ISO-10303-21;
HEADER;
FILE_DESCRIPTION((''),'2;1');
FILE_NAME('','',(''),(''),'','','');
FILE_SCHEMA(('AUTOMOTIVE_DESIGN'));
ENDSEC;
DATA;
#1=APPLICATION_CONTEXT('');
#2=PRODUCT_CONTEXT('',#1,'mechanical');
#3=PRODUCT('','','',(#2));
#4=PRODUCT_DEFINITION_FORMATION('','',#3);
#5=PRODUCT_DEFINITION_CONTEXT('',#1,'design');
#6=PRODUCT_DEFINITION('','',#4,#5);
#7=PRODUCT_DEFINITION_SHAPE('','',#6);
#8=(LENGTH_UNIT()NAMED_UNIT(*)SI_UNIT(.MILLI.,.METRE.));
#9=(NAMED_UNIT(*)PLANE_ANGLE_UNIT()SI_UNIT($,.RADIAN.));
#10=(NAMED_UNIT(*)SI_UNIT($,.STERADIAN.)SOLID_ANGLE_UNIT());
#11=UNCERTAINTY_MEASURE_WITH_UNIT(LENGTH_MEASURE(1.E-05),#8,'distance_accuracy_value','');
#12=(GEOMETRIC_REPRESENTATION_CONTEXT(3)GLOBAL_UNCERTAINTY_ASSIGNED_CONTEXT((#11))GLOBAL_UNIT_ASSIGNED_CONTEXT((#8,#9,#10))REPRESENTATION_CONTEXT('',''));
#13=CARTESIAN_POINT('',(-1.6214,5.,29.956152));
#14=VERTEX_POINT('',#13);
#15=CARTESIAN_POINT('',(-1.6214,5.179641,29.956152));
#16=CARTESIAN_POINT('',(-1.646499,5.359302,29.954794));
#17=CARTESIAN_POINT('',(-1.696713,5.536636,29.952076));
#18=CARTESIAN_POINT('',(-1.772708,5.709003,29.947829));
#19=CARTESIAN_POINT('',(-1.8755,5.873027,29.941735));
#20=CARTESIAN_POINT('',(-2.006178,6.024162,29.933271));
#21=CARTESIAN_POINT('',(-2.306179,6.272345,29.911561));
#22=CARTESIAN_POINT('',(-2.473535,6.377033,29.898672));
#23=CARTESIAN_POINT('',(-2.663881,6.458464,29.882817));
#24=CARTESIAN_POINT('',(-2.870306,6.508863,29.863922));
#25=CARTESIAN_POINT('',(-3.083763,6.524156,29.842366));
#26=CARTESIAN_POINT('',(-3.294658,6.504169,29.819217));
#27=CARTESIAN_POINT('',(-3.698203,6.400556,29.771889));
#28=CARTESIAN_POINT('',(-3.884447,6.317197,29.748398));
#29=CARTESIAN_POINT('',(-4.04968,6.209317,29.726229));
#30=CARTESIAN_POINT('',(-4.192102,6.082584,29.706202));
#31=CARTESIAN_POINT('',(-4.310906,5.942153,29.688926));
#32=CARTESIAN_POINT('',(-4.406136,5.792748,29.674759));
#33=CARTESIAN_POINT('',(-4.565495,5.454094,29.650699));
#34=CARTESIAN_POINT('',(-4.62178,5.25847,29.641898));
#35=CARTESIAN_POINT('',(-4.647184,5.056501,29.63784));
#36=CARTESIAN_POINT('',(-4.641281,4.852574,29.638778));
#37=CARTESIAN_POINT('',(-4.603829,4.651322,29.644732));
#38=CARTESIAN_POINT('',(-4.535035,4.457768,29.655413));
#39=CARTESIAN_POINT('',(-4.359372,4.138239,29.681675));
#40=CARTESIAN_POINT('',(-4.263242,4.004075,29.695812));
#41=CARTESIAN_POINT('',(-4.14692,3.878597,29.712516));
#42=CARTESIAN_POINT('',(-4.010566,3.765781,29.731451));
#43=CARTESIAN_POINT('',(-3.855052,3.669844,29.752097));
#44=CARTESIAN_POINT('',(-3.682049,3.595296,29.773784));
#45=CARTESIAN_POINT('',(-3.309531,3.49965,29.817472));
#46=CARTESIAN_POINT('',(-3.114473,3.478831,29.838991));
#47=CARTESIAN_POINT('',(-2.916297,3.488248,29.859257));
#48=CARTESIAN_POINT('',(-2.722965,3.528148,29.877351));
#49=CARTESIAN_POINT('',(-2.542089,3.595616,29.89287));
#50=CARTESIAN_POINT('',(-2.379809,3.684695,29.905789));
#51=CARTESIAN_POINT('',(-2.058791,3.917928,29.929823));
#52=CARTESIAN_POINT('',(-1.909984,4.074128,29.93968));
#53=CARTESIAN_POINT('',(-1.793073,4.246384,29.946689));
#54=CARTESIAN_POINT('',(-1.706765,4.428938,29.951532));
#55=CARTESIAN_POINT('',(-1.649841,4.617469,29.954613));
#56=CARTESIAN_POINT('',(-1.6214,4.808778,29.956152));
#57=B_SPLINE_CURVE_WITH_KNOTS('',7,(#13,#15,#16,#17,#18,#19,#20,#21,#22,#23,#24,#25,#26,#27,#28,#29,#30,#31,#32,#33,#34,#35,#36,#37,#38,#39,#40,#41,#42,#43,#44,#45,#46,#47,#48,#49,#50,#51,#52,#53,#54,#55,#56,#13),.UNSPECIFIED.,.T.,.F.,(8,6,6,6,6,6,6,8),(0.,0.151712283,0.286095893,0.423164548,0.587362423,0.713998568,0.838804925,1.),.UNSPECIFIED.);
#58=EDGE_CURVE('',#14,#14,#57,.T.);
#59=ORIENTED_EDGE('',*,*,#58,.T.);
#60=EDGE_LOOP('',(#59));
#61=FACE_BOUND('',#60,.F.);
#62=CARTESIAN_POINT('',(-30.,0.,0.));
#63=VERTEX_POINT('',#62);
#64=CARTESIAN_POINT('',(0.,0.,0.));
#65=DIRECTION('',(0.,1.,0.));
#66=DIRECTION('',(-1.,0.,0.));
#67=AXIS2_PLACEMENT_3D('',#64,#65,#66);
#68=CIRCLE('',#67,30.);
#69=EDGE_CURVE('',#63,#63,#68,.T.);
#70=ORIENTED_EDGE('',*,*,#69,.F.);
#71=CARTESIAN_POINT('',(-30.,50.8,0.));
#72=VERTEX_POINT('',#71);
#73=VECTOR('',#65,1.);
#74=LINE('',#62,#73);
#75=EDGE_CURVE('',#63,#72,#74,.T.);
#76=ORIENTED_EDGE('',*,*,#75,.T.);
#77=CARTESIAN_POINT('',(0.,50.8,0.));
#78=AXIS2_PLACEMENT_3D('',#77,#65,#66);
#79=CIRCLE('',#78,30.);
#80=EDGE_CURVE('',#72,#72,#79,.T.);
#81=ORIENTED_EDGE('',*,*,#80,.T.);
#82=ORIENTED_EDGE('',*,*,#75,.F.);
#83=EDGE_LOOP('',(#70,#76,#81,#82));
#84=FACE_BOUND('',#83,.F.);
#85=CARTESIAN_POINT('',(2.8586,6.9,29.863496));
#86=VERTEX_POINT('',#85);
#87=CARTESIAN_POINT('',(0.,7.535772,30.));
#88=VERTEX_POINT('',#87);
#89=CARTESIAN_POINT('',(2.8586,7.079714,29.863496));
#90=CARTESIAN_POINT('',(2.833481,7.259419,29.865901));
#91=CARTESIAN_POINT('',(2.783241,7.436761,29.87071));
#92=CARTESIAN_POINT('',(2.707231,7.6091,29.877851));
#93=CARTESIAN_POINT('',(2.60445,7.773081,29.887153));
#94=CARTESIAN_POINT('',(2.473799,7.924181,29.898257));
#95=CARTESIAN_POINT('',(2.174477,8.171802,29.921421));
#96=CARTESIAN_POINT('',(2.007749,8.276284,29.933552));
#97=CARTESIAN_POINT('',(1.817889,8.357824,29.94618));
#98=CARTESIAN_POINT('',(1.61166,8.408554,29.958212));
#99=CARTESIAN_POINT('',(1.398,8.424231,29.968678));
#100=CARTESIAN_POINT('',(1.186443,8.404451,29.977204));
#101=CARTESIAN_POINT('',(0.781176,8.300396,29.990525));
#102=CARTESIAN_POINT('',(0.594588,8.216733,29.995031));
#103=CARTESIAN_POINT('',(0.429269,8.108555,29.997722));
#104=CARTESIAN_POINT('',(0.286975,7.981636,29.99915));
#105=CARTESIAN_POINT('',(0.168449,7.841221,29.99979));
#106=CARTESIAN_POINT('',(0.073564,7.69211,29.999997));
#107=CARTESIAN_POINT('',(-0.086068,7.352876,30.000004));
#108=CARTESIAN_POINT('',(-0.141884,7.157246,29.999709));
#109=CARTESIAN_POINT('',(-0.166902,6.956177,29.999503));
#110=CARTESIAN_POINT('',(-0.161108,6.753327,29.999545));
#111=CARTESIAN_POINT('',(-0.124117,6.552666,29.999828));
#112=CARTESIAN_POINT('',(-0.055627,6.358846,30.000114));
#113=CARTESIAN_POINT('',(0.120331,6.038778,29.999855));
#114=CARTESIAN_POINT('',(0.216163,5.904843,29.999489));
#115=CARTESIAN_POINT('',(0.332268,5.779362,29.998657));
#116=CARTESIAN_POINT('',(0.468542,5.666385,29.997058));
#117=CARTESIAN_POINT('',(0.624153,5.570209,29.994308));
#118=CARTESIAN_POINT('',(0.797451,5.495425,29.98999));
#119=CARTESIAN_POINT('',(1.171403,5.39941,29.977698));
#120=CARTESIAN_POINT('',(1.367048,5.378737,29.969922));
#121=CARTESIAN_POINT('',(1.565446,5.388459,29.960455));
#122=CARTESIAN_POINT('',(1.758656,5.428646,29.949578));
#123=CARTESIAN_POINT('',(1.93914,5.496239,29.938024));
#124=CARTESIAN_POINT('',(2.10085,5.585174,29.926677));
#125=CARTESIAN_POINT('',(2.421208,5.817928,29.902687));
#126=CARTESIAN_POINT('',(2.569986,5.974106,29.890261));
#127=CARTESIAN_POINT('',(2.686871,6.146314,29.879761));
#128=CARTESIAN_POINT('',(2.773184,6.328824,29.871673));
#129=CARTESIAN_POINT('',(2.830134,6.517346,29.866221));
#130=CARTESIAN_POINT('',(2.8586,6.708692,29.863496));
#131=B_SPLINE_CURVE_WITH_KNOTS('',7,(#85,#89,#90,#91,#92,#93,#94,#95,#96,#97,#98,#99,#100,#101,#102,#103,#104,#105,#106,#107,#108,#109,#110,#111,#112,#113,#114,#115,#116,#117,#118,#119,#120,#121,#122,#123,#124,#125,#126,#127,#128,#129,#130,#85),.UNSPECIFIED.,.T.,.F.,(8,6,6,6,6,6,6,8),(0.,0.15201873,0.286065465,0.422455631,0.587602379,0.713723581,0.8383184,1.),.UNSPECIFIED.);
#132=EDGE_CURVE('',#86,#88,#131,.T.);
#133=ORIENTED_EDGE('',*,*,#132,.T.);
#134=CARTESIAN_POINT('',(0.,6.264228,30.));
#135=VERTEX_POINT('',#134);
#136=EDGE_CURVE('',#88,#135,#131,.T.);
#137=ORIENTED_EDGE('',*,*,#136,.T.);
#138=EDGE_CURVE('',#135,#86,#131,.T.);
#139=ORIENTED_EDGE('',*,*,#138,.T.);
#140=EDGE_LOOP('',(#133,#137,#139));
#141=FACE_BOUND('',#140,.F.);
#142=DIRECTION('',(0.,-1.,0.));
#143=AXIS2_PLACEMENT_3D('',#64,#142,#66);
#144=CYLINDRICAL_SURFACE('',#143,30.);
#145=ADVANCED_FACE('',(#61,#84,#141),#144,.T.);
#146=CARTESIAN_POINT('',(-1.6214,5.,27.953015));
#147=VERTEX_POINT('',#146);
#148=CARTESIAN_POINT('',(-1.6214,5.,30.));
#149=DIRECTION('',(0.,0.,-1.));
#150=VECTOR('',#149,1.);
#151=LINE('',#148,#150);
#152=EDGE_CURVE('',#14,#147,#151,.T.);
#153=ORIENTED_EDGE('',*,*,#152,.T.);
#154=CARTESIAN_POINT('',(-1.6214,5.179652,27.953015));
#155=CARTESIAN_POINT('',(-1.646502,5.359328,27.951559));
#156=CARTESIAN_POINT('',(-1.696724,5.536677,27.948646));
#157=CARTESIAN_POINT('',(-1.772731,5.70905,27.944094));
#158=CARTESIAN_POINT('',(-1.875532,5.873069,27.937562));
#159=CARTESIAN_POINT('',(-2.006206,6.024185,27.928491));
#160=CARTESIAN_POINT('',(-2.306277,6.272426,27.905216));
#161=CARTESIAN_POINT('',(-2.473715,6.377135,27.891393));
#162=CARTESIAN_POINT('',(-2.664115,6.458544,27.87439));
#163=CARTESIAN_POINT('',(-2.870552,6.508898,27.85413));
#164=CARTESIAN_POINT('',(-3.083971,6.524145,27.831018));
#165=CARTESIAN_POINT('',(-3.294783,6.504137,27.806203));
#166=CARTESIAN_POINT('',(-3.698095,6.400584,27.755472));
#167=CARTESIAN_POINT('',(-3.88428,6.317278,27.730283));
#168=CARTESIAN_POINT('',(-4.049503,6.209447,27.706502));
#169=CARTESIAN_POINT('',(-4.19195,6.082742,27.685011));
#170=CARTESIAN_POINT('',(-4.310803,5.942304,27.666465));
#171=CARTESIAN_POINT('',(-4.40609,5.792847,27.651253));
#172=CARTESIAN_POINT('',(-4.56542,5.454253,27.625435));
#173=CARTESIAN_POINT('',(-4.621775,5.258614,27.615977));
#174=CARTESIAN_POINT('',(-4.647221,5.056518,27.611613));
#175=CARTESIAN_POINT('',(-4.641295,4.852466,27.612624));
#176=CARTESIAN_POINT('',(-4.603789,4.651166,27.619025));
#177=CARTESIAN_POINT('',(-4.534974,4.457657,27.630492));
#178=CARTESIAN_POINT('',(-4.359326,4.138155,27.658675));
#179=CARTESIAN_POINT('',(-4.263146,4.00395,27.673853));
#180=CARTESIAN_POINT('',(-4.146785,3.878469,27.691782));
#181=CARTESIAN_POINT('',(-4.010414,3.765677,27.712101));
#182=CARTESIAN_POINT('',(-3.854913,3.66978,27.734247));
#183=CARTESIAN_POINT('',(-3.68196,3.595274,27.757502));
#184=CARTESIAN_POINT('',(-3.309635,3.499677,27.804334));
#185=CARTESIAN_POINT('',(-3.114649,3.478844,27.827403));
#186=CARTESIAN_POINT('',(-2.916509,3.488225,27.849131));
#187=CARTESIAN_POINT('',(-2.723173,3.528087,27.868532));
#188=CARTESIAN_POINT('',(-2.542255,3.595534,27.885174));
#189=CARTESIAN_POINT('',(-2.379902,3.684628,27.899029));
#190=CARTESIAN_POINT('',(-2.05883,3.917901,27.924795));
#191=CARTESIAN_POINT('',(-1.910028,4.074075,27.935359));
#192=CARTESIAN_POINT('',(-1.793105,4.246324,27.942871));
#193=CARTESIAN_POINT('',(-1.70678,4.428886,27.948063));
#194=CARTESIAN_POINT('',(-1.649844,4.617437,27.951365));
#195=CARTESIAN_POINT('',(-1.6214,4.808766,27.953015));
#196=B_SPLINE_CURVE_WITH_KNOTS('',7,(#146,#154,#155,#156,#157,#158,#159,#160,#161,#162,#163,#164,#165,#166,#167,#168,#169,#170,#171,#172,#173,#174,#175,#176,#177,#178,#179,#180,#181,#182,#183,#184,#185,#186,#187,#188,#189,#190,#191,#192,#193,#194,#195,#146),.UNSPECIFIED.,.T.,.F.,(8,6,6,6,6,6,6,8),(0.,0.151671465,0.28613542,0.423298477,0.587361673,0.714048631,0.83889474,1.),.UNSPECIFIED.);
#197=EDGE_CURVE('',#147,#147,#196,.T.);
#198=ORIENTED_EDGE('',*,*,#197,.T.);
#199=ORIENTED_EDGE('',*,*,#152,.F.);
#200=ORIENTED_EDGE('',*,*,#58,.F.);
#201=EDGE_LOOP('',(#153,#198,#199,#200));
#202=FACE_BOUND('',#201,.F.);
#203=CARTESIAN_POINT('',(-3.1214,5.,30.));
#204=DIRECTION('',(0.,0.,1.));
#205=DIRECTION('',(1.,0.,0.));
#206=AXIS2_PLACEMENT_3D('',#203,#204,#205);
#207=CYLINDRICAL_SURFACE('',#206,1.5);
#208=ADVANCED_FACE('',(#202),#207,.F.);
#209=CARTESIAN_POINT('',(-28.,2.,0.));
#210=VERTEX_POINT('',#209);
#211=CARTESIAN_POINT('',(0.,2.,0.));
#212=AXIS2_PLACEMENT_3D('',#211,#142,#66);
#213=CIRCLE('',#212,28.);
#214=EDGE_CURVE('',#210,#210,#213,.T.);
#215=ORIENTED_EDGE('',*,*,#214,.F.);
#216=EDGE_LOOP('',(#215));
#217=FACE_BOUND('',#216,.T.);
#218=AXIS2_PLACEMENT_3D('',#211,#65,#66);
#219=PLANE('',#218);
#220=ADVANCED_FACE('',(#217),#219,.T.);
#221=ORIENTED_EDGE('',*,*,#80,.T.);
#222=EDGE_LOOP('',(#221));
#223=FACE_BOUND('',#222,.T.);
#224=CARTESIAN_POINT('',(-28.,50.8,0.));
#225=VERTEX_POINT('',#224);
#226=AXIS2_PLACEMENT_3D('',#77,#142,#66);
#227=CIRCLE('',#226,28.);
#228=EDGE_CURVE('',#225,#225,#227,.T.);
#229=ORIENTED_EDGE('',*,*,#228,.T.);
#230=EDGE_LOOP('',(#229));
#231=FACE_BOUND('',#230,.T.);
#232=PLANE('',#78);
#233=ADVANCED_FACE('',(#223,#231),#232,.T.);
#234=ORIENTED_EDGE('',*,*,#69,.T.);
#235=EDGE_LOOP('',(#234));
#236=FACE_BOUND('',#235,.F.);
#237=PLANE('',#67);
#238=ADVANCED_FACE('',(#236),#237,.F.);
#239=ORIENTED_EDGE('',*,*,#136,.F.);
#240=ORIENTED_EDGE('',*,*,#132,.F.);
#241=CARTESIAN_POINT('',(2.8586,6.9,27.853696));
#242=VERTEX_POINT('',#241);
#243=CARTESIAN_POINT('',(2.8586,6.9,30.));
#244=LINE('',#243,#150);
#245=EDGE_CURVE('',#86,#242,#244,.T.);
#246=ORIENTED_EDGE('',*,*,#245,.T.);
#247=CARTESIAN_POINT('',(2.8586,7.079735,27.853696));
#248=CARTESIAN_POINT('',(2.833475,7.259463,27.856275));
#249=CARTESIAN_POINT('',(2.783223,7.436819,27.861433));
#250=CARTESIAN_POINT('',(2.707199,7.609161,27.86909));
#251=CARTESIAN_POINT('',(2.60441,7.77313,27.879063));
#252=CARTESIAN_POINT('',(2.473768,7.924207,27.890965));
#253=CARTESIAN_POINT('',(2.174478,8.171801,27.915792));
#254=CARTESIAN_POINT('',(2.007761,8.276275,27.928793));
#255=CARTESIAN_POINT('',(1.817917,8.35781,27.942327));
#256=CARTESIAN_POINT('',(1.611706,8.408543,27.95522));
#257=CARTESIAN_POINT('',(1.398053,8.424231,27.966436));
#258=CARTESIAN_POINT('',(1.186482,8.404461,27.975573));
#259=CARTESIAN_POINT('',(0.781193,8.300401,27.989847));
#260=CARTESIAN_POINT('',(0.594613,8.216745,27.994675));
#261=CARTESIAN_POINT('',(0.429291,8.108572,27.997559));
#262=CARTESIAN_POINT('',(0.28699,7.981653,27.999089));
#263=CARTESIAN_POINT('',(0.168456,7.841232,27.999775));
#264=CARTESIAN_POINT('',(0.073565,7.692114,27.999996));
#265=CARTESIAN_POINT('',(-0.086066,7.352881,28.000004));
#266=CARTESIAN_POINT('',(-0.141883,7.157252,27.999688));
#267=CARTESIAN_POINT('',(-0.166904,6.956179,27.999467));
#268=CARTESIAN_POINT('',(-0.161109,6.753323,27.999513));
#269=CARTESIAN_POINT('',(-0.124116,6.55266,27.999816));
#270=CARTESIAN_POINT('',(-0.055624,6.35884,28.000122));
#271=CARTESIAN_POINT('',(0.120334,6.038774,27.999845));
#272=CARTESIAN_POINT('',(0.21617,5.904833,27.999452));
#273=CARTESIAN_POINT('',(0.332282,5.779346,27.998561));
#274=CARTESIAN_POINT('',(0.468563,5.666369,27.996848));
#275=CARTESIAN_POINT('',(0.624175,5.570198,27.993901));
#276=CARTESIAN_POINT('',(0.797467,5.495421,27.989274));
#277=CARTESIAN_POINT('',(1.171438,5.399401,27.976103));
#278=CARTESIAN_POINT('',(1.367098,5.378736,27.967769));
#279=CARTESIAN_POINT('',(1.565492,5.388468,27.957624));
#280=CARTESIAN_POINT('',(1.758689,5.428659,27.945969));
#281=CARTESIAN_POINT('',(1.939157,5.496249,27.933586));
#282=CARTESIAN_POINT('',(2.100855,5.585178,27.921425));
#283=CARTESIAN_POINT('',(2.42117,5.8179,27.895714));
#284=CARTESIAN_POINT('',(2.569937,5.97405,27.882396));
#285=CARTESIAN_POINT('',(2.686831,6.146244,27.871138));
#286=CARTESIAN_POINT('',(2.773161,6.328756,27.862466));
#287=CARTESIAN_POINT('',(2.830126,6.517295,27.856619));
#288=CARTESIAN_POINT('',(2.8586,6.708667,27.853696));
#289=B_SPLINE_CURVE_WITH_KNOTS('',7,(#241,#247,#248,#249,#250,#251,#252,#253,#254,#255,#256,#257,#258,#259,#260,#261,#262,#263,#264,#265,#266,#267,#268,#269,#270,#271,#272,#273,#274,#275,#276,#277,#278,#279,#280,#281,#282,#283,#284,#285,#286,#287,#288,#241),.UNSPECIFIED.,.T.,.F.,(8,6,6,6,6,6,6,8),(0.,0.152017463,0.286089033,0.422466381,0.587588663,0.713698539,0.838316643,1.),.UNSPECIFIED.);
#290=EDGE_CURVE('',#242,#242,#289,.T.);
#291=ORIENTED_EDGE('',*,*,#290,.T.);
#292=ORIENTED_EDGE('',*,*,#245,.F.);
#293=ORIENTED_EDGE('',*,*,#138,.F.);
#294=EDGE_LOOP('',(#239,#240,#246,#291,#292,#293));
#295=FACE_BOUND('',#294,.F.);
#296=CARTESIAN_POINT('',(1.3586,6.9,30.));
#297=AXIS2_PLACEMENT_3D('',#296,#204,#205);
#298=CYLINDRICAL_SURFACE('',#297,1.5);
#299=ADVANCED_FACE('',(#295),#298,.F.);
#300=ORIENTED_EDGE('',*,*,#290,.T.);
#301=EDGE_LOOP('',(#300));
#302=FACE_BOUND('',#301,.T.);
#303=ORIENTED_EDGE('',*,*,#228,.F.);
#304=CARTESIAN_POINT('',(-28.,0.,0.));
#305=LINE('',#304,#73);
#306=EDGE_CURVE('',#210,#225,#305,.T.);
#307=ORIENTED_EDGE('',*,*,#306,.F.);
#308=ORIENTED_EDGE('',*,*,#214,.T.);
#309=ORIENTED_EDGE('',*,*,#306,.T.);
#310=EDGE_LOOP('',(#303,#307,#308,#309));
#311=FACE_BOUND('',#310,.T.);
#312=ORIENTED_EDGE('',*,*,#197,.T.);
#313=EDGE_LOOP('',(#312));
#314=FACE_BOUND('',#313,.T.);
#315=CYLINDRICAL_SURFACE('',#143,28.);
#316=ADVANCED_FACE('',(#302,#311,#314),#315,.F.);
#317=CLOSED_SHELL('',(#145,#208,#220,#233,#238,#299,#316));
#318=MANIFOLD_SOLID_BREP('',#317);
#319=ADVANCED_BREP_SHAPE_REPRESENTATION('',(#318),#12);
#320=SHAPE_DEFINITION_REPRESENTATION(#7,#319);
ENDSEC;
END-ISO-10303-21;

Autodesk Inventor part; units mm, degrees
ref_plane "YZ Plane" through (0, 0, 0) normal (1, 0, 0) x (0, 1, 0)
ref_plane "XZ Plane" through (0, 0, 0) normal (0, 1, 0) x (-1, 0, 0)
sketch "Sketch1" plane through (0, 0, 0) normal (0, 1, 0) x (-1, 0, 0)
  circle A0 centre (0, 0) radius 30
  dimension "d0" = 60
extrude "Extrusion1" add sketch "Sketch1" along normal blind 50.8
shell "Shell1" thickness 2 removed faces 1 at (-9.4188, 50.8, 0)
ref_plane "Work Plane1" through (0, 0, 30) normal (0, 0, 1) x (1, 0, 0)
sketch "Sketch2" plane through (0, 0, 30) normal (0, 0, 1) x (1, 0, 0)
  line L0 (28, 2) -> (-28, 2) projected
  circle A0 centre (-3.1214, 5) radius 1.5
  circle A1 centre (1.3586, 6.9) radius 1.5
  point P0 (0, 0)
  dimension "d4" = 3
  dimension "d5" = 3
  dimension "d6" = 4.48
  dimension "d7" = 1.9
  dimension "d8" = 3
extrude "Extrusion2" cut sketch "Sketch2" against normal blind 4
properties part number "Simple Pressure Gauge Cup 23-02-03"
